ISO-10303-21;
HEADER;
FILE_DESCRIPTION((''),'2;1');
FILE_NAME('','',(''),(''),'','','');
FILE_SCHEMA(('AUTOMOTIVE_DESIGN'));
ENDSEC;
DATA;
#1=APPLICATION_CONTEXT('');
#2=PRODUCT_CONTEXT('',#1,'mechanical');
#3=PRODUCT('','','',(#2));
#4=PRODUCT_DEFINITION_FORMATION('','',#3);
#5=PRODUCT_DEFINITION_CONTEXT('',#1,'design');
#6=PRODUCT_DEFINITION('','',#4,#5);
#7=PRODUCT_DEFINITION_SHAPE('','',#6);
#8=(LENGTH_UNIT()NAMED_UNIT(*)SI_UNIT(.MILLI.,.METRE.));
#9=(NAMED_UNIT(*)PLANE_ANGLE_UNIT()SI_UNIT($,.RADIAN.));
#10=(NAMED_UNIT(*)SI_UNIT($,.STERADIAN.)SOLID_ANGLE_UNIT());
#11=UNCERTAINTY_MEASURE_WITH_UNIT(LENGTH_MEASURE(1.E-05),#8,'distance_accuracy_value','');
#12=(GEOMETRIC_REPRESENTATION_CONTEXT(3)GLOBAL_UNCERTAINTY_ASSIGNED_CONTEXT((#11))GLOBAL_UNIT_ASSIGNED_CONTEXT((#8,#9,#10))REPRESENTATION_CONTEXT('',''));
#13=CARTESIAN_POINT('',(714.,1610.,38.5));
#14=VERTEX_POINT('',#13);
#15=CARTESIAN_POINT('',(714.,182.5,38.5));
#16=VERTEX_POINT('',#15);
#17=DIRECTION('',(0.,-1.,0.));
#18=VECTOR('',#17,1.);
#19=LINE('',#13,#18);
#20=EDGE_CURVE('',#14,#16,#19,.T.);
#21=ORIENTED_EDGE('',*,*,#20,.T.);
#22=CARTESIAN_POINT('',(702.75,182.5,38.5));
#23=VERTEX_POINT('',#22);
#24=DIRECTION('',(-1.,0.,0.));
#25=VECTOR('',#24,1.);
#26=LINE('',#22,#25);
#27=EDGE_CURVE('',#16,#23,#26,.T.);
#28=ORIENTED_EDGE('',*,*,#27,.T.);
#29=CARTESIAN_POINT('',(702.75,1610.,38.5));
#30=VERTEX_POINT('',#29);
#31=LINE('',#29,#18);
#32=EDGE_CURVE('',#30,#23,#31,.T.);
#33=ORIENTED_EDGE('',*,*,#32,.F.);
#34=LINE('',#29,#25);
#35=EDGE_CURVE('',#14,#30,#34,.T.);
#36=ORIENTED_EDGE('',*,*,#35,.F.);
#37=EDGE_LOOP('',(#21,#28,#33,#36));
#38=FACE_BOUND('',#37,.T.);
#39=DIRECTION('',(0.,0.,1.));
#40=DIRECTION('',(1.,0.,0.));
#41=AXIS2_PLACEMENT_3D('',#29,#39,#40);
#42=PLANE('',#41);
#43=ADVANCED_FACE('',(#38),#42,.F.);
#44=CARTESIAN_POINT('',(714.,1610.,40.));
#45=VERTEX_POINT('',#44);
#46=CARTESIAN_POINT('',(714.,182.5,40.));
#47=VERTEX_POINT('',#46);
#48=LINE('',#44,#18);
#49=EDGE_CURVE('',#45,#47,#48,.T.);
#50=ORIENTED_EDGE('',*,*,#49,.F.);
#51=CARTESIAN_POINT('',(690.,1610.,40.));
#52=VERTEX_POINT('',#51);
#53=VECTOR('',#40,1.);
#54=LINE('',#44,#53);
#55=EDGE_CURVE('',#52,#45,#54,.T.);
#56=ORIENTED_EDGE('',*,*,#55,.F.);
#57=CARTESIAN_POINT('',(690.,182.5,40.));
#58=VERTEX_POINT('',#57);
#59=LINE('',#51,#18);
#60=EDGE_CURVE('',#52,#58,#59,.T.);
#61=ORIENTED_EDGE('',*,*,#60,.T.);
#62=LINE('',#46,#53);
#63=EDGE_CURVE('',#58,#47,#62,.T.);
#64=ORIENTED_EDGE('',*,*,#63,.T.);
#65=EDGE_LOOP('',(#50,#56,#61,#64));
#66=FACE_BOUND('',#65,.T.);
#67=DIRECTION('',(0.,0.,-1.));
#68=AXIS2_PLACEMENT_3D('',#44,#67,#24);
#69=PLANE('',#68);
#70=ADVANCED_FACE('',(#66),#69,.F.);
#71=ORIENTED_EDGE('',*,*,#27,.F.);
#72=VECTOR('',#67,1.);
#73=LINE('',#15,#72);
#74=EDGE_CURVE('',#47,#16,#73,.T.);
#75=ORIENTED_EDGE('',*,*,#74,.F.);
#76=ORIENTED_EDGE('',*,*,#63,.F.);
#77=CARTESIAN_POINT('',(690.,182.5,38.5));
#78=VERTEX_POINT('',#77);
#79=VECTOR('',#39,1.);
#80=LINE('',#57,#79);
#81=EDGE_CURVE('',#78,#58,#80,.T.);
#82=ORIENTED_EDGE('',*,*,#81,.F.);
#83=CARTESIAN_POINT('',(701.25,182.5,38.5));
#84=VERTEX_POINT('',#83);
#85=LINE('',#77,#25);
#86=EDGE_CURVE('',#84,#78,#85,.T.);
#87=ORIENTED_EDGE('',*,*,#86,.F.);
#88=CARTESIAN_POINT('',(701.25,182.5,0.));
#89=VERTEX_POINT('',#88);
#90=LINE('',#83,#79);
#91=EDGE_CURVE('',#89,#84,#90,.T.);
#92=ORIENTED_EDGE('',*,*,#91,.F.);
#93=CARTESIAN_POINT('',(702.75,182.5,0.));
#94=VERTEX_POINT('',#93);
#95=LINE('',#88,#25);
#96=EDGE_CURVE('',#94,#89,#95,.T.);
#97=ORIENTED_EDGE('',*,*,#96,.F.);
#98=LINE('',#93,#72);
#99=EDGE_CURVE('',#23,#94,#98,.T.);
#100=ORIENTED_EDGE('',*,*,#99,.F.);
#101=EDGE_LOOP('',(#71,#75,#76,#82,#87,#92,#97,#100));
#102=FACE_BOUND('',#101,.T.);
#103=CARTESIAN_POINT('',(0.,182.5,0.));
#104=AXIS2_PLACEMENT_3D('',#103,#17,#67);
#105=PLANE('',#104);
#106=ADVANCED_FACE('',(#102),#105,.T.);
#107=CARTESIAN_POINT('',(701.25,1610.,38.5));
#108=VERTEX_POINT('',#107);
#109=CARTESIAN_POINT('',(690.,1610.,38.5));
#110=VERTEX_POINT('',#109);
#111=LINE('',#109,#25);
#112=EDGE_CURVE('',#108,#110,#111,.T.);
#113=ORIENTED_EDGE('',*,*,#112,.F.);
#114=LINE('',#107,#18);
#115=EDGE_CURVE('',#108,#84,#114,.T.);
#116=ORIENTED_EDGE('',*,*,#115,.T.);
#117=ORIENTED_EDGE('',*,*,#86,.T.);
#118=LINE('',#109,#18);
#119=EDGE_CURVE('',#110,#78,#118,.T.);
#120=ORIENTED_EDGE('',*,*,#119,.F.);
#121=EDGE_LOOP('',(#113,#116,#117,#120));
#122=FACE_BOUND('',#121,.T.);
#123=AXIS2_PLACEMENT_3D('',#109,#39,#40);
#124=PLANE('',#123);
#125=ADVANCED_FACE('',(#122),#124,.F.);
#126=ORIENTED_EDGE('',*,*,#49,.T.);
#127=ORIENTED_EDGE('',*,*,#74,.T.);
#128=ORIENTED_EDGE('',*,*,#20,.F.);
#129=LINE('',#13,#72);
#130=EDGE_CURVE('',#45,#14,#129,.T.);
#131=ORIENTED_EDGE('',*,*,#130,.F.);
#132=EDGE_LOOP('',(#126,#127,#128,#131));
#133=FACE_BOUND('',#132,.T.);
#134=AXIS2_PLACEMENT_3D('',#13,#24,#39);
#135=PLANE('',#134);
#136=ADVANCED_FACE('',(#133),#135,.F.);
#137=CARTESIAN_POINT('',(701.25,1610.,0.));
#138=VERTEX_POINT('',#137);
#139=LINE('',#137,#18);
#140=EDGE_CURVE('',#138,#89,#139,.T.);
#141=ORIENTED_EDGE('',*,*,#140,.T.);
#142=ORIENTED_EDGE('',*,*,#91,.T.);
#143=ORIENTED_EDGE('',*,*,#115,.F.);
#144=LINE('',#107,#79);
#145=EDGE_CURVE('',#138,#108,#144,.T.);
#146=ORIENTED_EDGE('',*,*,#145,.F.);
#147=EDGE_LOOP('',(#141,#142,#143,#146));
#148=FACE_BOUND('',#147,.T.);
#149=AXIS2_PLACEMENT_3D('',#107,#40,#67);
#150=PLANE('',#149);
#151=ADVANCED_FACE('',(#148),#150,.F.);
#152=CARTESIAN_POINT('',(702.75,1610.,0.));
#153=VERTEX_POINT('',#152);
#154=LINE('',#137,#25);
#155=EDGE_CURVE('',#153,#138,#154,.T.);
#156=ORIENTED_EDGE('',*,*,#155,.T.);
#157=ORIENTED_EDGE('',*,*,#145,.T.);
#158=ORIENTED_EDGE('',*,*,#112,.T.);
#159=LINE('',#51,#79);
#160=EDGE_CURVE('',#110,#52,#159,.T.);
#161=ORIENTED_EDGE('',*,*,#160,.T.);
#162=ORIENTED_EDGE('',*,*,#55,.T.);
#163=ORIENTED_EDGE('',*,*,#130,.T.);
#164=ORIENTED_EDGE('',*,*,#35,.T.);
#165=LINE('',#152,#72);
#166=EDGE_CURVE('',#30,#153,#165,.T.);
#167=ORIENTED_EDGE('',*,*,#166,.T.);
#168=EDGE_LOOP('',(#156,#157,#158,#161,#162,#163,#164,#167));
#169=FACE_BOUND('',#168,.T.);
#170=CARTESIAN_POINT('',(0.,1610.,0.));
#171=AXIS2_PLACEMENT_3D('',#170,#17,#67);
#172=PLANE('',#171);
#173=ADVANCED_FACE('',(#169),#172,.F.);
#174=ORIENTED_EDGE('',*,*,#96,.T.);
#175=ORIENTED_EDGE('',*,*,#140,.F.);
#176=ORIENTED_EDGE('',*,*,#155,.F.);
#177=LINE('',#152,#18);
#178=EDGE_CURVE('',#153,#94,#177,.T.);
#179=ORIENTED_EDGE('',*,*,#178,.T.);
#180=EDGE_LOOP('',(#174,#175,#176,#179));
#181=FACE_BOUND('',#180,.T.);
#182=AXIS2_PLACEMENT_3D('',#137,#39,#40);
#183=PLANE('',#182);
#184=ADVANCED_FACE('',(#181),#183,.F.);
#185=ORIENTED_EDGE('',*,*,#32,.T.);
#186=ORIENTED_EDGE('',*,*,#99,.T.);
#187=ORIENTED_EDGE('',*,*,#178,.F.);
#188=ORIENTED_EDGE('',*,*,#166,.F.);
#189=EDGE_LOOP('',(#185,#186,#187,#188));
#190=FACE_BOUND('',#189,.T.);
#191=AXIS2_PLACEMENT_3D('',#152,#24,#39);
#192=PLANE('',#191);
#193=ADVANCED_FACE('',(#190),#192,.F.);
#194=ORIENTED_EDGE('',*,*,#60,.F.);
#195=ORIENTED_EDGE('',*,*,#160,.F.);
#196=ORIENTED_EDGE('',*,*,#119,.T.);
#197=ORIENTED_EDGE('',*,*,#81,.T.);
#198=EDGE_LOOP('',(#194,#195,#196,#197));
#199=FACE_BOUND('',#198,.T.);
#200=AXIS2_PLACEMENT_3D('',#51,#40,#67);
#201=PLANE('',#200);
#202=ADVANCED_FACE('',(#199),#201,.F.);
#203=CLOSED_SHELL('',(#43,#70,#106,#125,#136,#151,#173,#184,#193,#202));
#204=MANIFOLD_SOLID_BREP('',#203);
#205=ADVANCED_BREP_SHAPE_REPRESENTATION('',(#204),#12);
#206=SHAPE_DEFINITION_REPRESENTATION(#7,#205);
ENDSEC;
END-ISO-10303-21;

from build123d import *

# Parameters (mm, degrees)
STORE_SOVE_ORTA_1_START = 182.5
STORE_SOVE_ORTA_1_DEPTH = 1427.5


with BuildPart() as part:
    # Sketch1 → STORE_sove_orta_1 (new body)
    with BuildSketch(Plane(origin=(0, 0, 0), x_dir=(1, 0, 0), z_dir=(0, 1, 0)).offset(STORE_SOVE_ORTA_1_START)):
        Polygon((690, -40), (690, -38.5), (701.25, -38.5), (701.25, 0), (702.75, 0), (702.75, -38.5), (714, -38.5), (714, -40), align=None)
    extrude(amount=STORE_SOVE_ORTA_1_DEPTH)


solid = part.part
